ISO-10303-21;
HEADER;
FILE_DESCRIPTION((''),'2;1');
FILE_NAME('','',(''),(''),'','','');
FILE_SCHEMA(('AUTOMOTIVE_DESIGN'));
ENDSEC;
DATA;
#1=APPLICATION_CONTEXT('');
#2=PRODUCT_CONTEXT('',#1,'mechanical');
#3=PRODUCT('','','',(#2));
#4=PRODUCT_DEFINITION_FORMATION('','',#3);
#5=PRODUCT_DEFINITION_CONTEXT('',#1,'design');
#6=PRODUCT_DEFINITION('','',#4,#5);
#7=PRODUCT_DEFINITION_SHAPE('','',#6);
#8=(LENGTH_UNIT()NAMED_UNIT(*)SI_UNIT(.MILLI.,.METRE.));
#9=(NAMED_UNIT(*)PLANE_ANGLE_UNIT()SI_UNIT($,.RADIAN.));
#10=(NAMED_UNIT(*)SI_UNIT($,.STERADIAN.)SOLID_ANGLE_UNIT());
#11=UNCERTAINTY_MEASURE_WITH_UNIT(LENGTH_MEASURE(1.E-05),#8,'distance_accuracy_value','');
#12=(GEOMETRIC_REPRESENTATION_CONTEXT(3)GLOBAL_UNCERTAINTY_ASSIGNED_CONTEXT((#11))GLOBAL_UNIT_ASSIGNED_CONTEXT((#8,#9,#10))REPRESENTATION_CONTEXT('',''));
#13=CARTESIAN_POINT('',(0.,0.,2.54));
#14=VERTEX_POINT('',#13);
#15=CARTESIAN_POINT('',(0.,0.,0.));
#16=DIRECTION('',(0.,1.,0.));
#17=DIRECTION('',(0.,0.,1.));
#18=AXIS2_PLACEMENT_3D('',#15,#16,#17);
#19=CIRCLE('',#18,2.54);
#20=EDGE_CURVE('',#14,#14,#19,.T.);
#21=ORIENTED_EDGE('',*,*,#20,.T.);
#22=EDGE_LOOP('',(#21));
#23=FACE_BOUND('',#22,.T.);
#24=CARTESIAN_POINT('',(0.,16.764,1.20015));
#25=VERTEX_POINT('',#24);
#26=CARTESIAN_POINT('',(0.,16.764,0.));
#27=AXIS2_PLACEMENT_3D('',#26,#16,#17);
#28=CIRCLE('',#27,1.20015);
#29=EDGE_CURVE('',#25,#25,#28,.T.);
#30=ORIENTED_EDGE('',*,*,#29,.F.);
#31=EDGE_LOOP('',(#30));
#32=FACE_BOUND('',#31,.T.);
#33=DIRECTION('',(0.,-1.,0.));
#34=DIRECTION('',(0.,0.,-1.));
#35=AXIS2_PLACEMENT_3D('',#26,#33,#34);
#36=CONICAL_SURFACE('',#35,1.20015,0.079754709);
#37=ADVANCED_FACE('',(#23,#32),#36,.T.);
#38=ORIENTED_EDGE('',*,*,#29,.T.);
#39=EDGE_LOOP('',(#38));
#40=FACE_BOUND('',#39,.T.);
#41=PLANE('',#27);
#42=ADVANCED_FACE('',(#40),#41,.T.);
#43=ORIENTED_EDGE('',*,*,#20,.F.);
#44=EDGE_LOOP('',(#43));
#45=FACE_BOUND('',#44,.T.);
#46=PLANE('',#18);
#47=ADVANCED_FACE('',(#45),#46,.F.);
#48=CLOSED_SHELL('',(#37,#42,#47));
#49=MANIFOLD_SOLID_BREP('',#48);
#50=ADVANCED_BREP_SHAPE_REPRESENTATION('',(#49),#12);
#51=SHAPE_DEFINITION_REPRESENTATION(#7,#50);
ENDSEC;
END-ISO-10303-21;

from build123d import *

# Parameters (mm, degrees)
SKETCH2_R = 1.20015
SKETCH1_R = 2.54


with BuildPart() as part:
    # Sketch2 → Loft1 section 0
    with BuildSketch(Plane(origin=(0, 16.764, 0), x_dir=(1, 0, 0), z_dir=(0, 1, 0))):
        Circle(SKETCH2_R)
    # Sketch1 → Loft1 section 1
    with BuildSketch(Plane(origin=(0, 0, 0), x_dir=(1, 0, 0), z_dir=(0, 1, 0))):
        Circle(SKETCH1_R)
    loft()


solid = part.part
